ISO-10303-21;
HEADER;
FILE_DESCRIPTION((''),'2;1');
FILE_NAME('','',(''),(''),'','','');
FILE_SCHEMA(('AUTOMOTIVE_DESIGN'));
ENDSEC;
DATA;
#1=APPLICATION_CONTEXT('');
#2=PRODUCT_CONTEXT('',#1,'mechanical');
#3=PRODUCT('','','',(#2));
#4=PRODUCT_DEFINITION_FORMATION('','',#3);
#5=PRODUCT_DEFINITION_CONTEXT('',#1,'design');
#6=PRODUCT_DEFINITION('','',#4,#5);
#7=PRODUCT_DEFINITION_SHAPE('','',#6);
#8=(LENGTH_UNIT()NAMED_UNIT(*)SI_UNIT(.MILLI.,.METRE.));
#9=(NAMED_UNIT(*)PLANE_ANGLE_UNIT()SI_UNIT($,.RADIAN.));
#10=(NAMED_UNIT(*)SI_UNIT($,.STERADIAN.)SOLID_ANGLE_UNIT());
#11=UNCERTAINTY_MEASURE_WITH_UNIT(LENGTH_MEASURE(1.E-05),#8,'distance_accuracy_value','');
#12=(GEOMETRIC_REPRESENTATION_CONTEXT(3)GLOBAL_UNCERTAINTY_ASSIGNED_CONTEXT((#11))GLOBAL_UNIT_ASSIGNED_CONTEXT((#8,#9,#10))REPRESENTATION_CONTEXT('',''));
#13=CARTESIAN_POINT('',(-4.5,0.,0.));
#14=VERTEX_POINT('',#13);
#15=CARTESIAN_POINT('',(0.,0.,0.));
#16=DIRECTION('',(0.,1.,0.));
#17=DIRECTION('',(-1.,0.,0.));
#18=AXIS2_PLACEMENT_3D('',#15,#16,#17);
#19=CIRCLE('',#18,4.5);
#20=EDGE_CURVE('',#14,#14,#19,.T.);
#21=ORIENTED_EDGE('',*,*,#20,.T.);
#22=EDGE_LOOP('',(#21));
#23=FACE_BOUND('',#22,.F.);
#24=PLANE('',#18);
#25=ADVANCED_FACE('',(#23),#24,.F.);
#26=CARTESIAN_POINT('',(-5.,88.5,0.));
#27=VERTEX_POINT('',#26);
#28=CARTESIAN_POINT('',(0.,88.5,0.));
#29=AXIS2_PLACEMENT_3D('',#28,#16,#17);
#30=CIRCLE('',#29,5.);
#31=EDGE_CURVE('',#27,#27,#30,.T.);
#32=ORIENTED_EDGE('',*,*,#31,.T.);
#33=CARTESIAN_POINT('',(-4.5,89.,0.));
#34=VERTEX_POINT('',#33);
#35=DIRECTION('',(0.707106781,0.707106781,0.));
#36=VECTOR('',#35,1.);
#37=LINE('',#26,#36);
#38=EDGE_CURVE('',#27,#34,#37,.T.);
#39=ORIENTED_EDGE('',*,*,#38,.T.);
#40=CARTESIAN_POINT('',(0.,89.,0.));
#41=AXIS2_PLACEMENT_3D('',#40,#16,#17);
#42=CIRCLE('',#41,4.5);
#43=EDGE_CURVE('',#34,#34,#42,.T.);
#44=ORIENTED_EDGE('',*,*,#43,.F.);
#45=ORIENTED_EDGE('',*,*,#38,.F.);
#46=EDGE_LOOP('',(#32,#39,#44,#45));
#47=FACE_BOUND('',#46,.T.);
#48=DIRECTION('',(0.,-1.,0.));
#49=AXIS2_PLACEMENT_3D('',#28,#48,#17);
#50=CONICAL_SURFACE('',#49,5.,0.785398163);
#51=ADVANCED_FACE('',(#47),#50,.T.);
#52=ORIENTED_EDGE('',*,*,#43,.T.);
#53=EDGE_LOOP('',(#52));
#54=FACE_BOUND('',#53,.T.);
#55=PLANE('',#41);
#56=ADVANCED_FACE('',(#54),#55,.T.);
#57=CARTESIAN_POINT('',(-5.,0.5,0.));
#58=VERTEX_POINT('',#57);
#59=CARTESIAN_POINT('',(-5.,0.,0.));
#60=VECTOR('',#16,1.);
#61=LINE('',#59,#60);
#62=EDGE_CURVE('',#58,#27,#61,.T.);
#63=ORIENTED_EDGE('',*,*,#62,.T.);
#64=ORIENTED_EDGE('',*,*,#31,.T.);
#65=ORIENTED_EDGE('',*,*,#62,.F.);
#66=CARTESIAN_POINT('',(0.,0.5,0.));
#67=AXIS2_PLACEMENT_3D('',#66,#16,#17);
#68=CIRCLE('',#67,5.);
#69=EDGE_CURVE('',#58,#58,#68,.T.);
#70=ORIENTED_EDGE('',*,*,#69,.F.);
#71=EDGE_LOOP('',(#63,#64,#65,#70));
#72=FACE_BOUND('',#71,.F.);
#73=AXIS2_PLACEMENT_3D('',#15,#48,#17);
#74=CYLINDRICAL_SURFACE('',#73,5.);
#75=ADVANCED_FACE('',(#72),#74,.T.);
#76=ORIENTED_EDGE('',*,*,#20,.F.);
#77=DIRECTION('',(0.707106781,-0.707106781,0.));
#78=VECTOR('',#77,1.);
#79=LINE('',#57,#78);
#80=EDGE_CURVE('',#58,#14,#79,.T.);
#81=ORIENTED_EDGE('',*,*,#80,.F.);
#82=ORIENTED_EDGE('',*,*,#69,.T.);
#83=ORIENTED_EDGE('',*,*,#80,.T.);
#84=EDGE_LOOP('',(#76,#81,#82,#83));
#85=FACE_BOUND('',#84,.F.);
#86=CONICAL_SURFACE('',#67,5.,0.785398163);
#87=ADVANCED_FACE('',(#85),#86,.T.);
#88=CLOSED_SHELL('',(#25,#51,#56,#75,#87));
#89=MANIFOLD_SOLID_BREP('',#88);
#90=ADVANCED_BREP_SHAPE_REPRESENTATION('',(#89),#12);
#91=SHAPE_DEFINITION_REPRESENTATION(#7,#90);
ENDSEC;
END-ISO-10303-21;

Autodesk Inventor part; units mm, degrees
ref_plane "YZ Plane" through (0, 0, 0) normal (1, 0, 0) x (0, 1, 0)
ref_plane "XZ Plane" through (0, 0, 0) normal (0, 1, 0) x (-1, 0, 0)
ref_plane "XY Plane" through (0, 0, 0) normal (0, 0, 1) x (1, 0, 0)
sketch "Skizze1" plane through (0, 0, 0) normal (0, 1, 0) x (-1, 0, 0)
  circle A0 centre (0, 0) radius 5
  dimension "d0" = 10
extrude "Extrusion1" add sketch "Skizze1" along normal blind 89
chamfer "Fase1" distance 0.5 angle 45 2 edges at (5, 89, 0) (5, 0, 0)
thread "Gewinde1" size "M10x1.5" class "6g" standard "ANSI Metric M Profile" full length
properties part number "Gewindestange_60" material "Stahl, weich"
